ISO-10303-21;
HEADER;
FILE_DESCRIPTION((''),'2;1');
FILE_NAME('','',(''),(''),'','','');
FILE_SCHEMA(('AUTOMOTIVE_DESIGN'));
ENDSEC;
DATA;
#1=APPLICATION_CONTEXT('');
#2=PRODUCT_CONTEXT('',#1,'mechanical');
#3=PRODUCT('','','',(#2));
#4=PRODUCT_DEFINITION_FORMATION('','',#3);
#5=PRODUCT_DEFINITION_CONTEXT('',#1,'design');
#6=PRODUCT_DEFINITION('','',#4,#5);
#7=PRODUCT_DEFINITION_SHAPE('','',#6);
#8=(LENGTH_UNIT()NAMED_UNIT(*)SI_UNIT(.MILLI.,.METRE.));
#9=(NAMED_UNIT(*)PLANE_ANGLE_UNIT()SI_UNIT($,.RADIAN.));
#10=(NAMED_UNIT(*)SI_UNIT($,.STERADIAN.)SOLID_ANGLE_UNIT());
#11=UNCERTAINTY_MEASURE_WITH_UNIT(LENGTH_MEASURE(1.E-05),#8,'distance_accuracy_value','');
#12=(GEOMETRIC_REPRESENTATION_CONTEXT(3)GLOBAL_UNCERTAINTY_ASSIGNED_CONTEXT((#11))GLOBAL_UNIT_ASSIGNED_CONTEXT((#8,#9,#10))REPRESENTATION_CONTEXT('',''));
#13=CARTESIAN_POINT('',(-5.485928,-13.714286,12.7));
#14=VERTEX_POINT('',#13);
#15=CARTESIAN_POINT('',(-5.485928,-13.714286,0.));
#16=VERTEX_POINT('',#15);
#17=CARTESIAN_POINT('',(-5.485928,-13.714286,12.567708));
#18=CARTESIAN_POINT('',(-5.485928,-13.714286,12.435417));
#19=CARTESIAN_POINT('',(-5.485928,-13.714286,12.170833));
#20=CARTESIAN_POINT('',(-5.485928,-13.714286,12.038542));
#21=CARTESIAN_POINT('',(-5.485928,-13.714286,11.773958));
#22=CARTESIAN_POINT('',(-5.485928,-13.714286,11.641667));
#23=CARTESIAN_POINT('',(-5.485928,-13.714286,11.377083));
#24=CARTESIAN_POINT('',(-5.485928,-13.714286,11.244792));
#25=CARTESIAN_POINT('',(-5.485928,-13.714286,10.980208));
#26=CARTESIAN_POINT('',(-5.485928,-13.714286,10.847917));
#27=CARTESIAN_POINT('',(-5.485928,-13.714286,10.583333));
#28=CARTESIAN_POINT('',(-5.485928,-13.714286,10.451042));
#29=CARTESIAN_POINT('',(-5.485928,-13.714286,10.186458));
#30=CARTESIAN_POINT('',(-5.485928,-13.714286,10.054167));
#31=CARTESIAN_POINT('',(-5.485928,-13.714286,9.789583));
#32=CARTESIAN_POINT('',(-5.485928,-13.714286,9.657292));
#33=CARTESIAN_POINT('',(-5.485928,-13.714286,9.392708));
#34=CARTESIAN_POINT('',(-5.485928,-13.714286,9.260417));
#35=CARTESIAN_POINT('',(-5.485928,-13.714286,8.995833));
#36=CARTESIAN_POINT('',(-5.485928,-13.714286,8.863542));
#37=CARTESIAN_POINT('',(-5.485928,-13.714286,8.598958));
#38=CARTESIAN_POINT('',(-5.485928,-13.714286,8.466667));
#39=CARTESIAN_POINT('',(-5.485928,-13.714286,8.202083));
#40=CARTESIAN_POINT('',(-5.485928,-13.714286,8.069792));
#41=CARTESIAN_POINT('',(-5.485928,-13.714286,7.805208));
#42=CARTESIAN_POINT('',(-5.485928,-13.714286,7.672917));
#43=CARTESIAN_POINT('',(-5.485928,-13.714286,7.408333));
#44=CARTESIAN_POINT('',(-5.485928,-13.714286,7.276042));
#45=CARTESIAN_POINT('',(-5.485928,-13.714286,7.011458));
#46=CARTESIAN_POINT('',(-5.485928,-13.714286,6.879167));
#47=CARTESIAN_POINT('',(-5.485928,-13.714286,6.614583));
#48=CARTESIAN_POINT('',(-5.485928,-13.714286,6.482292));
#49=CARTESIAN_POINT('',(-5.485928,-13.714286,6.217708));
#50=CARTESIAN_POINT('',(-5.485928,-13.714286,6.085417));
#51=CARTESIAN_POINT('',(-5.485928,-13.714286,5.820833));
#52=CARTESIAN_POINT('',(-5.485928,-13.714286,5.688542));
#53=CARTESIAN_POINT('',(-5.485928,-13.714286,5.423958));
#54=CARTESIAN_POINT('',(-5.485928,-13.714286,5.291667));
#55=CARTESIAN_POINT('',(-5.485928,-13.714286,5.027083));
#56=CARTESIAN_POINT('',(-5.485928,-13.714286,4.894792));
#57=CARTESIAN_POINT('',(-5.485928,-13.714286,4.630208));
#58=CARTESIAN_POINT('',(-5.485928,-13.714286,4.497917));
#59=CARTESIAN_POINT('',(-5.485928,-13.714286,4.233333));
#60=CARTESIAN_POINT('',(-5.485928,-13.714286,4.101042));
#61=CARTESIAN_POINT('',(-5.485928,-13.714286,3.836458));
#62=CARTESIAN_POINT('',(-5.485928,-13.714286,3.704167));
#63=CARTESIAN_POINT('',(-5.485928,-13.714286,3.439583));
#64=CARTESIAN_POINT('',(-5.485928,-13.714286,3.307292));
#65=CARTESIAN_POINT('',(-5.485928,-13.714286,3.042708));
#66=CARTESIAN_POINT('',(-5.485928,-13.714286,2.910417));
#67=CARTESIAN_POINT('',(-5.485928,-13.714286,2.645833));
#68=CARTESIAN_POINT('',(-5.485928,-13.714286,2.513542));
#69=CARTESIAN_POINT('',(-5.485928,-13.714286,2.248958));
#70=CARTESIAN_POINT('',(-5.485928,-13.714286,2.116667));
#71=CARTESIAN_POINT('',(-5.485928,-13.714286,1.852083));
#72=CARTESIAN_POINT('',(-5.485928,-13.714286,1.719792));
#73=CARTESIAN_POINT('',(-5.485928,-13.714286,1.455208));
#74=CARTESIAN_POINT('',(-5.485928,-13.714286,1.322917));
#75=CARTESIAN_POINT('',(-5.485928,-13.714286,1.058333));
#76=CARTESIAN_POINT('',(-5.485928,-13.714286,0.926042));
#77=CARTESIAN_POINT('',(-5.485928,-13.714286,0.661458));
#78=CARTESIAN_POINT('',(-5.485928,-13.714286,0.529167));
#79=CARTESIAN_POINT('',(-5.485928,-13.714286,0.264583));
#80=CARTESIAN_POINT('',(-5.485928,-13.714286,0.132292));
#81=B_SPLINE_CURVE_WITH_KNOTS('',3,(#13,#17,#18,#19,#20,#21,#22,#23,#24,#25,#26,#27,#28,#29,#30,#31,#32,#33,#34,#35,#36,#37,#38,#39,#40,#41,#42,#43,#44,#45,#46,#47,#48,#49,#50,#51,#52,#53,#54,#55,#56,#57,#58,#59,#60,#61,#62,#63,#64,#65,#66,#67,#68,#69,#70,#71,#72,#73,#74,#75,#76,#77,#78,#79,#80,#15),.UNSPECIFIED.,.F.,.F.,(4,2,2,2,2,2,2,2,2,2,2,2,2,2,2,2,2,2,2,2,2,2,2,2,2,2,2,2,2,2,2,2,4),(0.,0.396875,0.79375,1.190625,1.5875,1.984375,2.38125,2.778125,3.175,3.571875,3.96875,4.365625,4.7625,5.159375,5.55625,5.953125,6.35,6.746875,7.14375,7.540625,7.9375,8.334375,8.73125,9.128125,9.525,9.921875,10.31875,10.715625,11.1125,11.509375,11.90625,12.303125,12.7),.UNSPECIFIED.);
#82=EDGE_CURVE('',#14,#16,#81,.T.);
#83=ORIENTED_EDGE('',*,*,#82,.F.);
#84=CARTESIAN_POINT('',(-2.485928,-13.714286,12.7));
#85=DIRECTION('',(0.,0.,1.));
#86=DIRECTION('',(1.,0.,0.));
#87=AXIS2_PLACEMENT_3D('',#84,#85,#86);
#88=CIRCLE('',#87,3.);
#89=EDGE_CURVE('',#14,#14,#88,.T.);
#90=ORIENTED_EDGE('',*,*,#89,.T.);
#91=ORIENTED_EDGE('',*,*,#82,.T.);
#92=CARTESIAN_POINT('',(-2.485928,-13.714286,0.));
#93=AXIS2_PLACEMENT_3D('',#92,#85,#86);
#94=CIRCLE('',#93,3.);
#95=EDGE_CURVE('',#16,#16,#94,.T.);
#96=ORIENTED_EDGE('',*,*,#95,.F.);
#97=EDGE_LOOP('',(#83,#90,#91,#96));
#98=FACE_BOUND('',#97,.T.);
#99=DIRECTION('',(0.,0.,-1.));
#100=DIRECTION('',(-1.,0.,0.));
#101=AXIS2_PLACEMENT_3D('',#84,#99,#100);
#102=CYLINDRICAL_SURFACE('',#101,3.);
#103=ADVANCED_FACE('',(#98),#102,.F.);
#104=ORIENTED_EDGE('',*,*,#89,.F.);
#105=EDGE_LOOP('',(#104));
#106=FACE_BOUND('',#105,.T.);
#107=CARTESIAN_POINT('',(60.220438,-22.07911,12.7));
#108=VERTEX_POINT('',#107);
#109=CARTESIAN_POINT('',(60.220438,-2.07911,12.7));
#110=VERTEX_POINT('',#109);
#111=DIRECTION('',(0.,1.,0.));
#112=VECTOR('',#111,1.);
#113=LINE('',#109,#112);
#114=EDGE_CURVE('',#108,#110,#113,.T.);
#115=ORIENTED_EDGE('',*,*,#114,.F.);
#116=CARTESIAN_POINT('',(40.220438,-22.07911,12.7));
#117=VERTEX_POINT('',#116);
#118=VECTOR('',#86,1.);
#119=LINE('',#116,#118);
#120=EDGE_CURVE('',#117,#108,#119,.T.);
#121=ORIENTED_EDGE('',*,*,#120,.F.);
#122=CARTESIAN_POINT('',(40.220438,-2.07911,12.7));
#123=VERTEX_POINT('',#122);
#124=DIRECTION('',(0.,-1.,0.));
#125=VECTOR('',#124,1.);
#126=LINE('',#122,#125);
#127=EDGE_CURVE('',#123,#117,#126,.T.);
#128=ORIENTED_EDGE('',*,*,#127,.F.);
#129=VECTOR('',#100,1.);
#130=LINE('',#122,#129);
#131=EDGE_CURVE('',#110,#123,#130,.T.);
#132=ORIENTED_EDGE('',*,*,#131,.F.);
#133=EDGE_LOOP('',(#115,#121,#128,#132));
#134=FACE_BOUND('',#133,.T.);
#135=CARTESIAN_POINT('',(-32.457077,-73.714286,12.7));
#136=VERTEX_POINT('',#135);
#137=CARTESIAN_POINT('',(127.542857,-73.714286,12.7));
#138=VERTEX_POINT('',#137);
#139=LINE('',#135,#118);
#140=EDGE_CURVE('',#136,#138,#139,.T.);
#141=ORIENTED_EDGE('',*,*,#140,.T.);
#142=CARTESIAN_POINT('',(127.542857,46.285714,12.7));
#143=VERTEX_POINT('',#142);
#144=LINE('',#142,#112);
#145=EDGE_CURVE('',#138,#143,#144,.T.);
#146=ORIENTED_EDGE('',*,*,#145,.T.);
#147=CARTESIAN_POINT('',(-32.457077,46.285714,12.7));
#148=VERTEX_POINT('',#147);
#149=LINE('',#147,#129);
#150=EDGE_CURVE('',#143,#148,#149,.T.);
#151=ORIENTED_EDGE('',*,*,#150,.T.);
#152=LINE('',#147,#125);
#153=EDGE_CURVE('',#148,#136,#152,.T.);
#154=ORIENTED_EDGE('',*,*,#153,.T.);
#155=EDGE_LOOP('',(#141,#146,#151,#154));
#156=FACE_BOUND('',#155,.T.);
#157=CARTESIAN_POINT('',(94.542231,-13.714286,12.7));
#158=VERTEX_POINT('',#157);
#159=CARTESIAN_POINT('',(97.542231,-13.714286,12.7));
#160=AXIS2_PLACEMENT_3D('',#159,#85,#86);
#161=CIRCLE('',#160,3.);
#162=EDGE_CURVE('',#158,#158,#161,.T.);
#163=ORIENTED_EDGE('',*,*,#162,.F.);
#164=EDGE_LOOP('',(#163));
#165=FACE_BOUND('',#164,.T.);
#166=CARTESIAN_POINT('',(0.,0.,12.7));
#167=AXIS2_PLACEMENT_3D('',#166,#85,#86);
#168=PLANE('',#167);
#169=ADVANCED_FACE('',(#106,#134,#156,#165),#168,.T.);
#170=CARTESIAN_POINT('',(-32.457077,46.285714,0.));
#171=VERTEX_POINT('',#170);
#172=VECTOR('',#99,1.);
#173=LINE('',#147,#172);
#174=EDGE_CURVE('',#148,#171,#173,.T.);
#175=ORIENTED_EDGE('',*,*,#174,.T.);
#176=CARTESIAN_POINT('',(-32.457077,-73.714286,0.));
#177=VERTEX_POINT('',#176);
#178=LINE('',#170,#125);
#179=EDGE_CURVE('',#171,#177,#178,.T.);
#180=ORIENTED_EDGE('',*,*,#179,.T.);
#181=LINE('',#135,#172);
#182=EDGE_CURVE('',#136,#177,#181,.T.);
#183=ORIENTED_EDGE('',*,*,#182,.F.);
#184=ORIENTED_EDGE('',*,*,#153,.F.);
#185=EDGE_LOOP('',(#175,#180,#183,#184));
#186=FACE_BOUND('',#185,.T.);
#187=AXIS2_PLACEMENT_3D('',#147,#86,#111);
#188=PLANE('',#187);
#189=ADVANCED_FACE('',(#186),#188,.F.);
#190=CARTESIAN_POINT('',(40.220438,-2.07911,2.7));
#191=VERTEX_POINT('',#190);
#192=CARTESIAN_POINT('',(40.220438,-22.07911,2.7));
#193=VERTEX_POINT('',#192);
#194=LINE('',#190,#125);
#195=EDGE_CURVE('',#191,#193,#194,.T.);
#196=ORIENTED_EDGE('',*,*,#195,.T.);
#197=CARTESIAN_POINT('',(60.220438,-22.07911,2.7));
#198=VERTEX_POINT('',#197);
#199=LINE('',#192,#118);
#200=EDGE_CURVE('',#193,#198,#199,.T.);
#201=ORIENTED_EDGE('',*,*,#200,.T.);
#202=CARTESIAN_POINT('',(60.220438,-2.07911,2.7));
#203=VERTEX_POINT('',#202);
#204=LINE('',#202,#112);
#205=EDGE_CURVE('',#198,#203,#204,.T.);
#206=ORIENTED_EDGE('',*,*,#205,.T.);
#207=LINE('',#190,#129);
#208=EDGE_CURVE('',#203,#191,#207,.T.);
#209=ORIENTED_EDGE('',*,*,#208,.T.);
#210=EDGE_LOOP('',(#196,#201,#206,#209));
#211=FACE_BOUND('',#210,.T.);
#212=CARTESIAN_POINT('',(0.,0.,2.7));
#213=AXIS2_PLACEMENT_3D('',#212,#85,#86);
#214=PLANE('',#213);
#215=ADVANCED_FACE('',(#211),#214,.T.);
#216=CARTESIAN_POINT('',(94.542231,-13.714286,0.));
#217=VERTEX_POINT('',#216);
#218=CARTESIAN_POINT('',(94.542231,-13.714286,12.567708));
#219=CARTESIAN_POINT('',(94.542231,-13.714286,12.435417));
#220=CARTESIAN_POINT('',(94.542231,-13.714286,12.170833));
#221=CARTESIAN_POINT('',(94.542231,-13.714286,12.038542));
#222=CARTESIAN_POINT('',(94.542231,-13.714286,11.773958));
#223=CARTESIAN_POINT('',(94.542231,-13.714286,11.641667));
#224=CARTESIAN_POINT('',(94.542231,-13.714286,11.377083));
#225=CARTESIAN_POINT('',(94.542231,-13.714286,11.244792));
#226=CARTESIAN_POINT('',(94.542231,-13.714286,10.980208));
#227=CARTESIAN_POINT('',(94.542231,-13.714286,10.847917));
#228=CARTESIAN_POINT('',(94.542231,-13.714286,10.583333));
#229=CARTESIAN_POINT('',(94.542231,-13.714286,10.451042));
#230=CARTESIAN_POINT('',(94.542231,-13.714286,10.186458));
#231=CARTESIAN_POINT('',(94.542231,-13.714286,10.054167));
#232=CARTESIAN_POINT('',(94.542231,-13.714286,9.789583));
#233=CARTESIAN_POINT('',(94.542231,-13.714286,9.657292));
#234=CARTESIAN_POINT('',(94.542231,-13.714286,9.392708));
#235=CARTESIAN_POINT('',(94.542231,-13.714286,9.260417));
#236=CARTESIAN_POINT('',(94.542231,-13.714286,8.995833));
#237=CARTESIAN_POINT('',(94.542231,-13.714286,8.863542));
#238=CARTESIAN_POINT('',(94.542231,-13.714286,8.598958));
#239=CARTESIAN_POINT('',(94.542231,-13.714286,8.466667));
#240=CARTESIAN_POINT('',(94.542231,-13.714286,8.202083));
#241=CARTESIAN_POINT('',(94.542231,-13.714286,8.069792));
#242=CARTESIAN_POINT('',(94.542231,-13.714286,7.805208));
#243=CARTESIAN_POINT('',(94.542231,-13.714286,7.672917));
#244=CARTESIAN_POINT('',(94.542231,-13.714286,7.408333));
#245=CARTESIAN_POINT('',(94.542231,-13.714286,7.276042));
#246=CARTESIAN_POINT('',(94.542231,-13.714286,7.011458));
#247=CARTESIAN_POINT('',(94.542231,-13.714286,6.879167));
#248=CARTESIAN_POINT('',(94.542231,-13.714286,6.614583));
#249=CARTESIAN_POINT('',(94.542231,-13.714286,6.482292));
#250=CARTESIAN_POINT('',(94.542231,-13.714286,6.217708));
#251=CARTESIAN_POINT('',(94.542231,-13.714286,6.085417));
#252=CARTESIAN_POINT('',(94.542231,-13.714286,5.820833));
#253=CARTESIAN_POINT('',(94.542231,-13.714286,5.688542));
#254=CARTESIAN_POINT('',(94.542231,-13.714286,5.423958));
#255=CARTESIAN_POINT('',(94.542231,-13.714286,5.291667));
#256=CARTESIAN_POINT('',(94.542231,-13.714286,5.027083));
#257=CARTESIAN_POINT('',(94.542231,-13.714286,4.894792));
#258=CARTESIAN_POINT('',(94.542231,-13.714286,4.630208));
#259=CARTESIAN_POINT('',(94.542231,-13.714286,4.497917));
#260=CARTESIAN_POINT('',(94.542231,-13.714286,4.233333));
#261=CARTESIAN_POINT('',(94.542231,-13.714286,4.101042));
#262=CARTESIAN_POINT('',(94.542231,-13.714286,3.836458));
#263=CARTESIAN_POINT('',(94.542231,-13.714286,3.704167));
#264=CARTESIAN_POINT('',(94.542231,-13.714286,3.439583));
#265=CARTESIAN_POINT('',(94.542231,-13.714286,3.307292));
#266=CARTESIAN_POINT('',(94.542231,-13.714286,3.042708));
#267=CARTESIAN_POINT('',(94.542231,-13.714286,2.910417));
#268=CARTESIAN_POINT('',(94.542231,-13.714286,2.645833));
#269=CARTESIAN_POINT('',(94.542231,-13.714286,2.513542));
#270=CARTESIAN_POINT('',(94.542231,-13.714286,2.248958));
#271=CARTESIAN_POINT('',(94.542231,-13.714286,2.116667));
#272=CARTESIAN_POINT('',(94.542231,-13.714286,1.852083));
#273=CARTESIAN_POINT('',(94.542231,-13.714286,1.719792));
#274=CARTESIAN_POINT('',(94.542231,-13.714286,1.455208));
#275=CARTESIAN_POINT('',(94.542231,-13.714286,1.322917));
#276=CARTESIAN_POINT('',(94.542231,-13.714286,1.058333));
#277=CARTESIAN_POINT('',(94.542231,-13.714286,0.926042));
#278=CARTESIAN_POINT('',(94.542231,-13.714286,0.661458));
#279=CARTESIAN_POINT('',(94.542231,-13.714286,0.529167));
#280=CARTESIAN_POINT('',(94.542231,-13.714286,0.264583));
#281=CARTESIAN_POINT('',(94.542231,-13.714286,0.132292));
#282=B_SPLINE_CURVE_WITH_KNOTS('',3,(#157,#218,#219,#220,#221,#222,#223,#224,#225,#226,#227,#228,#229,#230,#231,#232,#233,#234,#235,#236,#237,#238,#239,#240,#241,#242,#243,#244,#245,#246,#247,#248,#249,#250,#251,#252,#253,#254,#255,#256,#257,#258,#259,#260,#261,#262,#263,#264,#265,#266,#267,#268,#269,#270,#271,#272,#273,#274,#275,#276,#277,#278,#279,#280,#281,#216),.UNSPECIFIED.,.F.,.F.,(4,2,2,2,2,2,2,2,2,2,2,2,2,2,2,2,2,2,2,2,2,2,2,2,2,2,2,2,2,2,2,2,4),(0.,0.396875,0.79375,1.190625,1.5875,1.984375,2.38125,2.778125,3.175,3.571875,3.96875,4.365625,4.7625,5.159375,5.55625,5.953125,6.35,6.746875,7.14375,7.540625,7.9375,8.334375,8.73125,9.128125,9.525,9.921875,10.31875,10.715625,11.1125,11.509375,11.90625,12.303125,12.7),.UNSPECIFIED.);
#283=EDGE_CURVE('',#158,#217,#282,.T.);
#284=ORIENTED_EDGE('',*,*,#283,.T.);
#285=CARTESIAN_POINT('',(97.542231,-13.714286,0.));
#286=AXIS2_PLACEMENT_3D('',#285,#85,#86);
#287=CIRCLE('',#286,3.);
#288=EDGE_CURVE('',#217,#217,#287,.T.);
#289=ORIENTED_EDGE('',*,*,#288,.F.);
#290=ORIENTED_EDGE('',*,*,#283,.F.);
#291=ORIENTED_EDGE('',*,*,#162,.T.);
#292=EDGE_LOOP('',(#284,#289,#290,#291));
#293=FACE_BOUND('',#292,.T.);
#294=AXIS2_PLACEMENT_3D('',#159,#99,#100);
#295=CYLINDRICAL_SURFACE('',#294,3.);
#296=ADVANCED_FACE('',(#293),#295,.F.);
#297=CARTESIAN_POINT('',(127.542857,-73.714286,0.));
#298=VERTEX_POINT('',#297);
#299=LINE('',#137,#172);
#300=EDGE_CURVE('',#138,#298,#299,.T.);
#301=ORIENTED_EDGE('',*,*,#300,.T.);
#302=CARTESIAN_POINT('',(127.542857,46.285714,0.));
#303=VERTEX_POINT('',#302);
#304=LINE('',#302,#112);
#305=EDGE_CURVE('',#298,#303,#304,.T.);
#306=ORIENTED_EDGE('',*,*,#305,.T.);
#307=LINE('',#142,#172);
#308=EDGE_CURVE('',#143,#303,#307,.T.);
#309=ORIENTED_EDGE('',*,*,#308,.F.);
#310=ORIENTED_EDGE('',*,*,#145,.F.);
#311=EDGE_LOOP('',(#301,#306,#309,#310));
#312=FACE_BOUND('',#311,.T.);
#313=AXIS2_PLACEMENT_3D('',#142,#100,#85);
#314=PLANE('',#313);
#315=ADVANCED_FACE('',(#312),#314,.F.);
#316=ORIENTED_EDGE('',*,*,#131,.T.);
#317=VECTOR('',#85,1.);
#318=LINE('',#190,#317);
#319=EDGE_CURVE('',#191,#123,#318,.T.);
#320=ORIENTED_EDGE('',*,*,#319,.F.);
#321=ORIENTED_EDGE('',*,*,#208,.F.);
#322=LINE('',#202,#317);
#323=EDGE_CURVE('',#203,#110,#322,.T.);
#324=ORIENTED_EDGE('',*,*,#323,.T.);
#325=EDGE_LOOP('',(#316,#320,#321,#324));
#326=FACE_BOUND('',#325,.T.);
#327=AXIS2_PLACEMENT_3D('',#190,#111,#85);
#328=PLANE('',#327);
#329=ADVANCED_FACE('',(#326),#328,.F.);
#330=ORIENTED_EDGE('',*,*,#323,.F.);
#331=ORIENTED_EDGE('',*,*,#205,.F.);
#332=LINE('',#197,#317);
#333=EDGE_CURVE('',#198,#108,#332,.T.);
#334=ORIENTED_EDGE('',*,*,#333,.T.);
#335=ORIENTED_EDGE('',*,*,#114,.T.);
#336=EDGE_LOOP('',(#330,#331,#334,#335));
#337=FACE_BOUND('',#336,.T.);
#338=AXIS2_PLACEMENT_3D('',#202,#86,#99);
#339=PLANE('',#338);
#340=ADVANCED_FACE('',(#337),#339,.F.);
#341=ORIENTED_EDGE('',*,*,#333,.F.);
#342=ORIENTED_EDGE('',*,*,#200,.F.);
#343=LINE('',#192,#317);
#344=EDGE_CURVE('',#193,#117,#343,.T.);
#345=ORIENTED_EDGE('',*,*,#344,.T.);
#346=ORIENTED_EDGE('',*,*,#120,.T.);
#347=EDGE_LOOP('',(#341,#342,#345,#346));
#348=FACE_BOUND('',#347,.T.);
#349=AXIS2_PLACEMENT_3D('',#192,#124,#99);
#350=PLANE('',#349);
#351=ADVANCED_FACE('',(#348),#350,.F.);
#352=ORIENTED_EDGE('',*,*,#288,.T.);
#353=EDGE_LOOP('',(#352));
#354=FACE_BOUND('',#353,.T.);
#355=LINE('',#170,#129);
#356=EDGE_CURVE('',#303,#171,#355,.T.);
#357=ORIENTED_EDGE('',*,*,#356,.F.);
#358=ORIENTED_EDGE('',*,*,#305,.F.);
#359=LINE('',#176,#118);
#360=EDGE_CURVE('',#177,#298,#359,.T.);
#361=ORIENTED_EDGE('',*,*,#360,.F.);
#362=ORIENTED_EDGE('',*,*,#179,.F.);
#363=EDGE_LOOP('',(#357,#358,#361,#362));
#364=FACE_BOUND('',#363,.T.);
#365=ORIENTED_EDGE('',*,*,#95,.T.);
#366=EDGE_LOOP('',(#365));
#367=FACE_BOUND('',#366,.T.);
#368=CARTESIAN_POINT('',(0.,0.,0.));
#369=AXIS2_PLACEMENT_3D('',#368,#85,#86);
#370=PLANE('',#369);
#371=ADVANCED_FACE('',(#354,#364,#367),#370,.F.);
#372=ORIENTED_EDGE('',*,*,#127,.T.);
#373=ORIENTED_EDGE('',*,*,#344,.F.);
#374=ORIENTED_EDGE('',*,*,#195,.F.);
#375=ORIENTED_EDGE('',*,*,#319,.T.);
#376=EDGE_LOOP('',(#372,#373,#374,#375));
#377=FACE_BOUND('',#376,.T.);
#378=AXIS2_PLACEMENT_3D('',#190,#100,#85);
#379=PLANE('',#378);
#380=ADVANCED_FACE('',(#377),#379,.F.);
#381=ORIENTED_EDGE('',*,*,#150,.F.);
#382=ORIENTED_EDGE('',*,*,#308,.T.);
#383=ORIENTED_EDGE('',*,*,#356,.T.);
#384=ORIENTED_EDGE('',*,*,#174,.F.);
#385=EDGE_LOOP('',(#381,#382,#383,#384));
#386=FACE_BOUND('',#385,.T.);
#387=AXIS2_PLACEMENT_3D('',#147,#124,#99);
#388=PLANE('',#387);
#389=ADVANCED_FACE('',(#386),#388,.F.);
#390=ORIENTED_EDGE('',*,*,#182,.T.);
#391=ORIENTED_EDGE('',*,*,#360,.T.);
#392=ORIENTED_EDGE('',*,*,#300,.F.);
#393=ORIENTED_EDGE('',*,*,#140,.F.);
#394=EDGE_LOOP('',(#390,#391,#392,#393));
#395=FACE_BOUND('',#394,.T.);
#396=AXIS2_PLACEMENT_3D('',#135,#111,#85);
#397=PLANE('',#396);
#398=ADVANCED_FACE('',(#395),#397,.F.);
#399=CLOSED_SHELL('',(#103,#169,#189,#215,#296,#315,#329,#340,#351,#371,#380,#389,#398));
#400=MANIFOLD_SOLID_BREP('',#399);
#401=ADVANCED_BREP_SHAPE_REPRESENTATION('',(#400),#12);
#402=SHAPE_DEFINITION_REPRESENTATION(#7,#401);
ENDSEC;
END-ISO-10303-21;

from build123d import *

# Parameters (mm, degrees)
SKETCH1_W           = 159.999934
SKETCH1_H           = 120
SKETCH1_R           = 3
BOSS_EXTRUDE1_DEPTH = 12.7
SKETCH3_W           = 20
SKETCH3_H           = 20
CUT_EXTRUDE3_DEPTH  = 10


with BuildPart() as part:
    # Sketch1 → Boss-Extrude1 (new body)
    with BuildSketch(Plane.XY):
        with Locations((47.542890143, -13.714285714)):
            Rectangle(SKETCH1_W, SKETCH1_H)
        with Locations(Location((97.542231184, -13.714285714, 0), (0, 0, 180))):
            Circle(SKETCH1_R, mode=Mode.SUBTRACT)
        with Locations(Location((-2.485927723, -13.714285714, 0), (0, 0, 180))):
            Circle(SKETCH1_R, mode=Mode.SUBTRACT)
    extrude(amount=BOSS_EXTRUDE1_DEPTH)

    # Sketch3 → Cut-Extrude3 (cut)
    with BuildSketch(Plane.XY.offset(12.7)):
        with Locations((50.220438118, -12.079110468)):
            Rectangle(SKETCH3_W, SKETCH3_H)
    extrude(amount=-CUT_EXTRUDE3_DEPTH, mode=Mode.SUBTRACT)


solid = part.part
